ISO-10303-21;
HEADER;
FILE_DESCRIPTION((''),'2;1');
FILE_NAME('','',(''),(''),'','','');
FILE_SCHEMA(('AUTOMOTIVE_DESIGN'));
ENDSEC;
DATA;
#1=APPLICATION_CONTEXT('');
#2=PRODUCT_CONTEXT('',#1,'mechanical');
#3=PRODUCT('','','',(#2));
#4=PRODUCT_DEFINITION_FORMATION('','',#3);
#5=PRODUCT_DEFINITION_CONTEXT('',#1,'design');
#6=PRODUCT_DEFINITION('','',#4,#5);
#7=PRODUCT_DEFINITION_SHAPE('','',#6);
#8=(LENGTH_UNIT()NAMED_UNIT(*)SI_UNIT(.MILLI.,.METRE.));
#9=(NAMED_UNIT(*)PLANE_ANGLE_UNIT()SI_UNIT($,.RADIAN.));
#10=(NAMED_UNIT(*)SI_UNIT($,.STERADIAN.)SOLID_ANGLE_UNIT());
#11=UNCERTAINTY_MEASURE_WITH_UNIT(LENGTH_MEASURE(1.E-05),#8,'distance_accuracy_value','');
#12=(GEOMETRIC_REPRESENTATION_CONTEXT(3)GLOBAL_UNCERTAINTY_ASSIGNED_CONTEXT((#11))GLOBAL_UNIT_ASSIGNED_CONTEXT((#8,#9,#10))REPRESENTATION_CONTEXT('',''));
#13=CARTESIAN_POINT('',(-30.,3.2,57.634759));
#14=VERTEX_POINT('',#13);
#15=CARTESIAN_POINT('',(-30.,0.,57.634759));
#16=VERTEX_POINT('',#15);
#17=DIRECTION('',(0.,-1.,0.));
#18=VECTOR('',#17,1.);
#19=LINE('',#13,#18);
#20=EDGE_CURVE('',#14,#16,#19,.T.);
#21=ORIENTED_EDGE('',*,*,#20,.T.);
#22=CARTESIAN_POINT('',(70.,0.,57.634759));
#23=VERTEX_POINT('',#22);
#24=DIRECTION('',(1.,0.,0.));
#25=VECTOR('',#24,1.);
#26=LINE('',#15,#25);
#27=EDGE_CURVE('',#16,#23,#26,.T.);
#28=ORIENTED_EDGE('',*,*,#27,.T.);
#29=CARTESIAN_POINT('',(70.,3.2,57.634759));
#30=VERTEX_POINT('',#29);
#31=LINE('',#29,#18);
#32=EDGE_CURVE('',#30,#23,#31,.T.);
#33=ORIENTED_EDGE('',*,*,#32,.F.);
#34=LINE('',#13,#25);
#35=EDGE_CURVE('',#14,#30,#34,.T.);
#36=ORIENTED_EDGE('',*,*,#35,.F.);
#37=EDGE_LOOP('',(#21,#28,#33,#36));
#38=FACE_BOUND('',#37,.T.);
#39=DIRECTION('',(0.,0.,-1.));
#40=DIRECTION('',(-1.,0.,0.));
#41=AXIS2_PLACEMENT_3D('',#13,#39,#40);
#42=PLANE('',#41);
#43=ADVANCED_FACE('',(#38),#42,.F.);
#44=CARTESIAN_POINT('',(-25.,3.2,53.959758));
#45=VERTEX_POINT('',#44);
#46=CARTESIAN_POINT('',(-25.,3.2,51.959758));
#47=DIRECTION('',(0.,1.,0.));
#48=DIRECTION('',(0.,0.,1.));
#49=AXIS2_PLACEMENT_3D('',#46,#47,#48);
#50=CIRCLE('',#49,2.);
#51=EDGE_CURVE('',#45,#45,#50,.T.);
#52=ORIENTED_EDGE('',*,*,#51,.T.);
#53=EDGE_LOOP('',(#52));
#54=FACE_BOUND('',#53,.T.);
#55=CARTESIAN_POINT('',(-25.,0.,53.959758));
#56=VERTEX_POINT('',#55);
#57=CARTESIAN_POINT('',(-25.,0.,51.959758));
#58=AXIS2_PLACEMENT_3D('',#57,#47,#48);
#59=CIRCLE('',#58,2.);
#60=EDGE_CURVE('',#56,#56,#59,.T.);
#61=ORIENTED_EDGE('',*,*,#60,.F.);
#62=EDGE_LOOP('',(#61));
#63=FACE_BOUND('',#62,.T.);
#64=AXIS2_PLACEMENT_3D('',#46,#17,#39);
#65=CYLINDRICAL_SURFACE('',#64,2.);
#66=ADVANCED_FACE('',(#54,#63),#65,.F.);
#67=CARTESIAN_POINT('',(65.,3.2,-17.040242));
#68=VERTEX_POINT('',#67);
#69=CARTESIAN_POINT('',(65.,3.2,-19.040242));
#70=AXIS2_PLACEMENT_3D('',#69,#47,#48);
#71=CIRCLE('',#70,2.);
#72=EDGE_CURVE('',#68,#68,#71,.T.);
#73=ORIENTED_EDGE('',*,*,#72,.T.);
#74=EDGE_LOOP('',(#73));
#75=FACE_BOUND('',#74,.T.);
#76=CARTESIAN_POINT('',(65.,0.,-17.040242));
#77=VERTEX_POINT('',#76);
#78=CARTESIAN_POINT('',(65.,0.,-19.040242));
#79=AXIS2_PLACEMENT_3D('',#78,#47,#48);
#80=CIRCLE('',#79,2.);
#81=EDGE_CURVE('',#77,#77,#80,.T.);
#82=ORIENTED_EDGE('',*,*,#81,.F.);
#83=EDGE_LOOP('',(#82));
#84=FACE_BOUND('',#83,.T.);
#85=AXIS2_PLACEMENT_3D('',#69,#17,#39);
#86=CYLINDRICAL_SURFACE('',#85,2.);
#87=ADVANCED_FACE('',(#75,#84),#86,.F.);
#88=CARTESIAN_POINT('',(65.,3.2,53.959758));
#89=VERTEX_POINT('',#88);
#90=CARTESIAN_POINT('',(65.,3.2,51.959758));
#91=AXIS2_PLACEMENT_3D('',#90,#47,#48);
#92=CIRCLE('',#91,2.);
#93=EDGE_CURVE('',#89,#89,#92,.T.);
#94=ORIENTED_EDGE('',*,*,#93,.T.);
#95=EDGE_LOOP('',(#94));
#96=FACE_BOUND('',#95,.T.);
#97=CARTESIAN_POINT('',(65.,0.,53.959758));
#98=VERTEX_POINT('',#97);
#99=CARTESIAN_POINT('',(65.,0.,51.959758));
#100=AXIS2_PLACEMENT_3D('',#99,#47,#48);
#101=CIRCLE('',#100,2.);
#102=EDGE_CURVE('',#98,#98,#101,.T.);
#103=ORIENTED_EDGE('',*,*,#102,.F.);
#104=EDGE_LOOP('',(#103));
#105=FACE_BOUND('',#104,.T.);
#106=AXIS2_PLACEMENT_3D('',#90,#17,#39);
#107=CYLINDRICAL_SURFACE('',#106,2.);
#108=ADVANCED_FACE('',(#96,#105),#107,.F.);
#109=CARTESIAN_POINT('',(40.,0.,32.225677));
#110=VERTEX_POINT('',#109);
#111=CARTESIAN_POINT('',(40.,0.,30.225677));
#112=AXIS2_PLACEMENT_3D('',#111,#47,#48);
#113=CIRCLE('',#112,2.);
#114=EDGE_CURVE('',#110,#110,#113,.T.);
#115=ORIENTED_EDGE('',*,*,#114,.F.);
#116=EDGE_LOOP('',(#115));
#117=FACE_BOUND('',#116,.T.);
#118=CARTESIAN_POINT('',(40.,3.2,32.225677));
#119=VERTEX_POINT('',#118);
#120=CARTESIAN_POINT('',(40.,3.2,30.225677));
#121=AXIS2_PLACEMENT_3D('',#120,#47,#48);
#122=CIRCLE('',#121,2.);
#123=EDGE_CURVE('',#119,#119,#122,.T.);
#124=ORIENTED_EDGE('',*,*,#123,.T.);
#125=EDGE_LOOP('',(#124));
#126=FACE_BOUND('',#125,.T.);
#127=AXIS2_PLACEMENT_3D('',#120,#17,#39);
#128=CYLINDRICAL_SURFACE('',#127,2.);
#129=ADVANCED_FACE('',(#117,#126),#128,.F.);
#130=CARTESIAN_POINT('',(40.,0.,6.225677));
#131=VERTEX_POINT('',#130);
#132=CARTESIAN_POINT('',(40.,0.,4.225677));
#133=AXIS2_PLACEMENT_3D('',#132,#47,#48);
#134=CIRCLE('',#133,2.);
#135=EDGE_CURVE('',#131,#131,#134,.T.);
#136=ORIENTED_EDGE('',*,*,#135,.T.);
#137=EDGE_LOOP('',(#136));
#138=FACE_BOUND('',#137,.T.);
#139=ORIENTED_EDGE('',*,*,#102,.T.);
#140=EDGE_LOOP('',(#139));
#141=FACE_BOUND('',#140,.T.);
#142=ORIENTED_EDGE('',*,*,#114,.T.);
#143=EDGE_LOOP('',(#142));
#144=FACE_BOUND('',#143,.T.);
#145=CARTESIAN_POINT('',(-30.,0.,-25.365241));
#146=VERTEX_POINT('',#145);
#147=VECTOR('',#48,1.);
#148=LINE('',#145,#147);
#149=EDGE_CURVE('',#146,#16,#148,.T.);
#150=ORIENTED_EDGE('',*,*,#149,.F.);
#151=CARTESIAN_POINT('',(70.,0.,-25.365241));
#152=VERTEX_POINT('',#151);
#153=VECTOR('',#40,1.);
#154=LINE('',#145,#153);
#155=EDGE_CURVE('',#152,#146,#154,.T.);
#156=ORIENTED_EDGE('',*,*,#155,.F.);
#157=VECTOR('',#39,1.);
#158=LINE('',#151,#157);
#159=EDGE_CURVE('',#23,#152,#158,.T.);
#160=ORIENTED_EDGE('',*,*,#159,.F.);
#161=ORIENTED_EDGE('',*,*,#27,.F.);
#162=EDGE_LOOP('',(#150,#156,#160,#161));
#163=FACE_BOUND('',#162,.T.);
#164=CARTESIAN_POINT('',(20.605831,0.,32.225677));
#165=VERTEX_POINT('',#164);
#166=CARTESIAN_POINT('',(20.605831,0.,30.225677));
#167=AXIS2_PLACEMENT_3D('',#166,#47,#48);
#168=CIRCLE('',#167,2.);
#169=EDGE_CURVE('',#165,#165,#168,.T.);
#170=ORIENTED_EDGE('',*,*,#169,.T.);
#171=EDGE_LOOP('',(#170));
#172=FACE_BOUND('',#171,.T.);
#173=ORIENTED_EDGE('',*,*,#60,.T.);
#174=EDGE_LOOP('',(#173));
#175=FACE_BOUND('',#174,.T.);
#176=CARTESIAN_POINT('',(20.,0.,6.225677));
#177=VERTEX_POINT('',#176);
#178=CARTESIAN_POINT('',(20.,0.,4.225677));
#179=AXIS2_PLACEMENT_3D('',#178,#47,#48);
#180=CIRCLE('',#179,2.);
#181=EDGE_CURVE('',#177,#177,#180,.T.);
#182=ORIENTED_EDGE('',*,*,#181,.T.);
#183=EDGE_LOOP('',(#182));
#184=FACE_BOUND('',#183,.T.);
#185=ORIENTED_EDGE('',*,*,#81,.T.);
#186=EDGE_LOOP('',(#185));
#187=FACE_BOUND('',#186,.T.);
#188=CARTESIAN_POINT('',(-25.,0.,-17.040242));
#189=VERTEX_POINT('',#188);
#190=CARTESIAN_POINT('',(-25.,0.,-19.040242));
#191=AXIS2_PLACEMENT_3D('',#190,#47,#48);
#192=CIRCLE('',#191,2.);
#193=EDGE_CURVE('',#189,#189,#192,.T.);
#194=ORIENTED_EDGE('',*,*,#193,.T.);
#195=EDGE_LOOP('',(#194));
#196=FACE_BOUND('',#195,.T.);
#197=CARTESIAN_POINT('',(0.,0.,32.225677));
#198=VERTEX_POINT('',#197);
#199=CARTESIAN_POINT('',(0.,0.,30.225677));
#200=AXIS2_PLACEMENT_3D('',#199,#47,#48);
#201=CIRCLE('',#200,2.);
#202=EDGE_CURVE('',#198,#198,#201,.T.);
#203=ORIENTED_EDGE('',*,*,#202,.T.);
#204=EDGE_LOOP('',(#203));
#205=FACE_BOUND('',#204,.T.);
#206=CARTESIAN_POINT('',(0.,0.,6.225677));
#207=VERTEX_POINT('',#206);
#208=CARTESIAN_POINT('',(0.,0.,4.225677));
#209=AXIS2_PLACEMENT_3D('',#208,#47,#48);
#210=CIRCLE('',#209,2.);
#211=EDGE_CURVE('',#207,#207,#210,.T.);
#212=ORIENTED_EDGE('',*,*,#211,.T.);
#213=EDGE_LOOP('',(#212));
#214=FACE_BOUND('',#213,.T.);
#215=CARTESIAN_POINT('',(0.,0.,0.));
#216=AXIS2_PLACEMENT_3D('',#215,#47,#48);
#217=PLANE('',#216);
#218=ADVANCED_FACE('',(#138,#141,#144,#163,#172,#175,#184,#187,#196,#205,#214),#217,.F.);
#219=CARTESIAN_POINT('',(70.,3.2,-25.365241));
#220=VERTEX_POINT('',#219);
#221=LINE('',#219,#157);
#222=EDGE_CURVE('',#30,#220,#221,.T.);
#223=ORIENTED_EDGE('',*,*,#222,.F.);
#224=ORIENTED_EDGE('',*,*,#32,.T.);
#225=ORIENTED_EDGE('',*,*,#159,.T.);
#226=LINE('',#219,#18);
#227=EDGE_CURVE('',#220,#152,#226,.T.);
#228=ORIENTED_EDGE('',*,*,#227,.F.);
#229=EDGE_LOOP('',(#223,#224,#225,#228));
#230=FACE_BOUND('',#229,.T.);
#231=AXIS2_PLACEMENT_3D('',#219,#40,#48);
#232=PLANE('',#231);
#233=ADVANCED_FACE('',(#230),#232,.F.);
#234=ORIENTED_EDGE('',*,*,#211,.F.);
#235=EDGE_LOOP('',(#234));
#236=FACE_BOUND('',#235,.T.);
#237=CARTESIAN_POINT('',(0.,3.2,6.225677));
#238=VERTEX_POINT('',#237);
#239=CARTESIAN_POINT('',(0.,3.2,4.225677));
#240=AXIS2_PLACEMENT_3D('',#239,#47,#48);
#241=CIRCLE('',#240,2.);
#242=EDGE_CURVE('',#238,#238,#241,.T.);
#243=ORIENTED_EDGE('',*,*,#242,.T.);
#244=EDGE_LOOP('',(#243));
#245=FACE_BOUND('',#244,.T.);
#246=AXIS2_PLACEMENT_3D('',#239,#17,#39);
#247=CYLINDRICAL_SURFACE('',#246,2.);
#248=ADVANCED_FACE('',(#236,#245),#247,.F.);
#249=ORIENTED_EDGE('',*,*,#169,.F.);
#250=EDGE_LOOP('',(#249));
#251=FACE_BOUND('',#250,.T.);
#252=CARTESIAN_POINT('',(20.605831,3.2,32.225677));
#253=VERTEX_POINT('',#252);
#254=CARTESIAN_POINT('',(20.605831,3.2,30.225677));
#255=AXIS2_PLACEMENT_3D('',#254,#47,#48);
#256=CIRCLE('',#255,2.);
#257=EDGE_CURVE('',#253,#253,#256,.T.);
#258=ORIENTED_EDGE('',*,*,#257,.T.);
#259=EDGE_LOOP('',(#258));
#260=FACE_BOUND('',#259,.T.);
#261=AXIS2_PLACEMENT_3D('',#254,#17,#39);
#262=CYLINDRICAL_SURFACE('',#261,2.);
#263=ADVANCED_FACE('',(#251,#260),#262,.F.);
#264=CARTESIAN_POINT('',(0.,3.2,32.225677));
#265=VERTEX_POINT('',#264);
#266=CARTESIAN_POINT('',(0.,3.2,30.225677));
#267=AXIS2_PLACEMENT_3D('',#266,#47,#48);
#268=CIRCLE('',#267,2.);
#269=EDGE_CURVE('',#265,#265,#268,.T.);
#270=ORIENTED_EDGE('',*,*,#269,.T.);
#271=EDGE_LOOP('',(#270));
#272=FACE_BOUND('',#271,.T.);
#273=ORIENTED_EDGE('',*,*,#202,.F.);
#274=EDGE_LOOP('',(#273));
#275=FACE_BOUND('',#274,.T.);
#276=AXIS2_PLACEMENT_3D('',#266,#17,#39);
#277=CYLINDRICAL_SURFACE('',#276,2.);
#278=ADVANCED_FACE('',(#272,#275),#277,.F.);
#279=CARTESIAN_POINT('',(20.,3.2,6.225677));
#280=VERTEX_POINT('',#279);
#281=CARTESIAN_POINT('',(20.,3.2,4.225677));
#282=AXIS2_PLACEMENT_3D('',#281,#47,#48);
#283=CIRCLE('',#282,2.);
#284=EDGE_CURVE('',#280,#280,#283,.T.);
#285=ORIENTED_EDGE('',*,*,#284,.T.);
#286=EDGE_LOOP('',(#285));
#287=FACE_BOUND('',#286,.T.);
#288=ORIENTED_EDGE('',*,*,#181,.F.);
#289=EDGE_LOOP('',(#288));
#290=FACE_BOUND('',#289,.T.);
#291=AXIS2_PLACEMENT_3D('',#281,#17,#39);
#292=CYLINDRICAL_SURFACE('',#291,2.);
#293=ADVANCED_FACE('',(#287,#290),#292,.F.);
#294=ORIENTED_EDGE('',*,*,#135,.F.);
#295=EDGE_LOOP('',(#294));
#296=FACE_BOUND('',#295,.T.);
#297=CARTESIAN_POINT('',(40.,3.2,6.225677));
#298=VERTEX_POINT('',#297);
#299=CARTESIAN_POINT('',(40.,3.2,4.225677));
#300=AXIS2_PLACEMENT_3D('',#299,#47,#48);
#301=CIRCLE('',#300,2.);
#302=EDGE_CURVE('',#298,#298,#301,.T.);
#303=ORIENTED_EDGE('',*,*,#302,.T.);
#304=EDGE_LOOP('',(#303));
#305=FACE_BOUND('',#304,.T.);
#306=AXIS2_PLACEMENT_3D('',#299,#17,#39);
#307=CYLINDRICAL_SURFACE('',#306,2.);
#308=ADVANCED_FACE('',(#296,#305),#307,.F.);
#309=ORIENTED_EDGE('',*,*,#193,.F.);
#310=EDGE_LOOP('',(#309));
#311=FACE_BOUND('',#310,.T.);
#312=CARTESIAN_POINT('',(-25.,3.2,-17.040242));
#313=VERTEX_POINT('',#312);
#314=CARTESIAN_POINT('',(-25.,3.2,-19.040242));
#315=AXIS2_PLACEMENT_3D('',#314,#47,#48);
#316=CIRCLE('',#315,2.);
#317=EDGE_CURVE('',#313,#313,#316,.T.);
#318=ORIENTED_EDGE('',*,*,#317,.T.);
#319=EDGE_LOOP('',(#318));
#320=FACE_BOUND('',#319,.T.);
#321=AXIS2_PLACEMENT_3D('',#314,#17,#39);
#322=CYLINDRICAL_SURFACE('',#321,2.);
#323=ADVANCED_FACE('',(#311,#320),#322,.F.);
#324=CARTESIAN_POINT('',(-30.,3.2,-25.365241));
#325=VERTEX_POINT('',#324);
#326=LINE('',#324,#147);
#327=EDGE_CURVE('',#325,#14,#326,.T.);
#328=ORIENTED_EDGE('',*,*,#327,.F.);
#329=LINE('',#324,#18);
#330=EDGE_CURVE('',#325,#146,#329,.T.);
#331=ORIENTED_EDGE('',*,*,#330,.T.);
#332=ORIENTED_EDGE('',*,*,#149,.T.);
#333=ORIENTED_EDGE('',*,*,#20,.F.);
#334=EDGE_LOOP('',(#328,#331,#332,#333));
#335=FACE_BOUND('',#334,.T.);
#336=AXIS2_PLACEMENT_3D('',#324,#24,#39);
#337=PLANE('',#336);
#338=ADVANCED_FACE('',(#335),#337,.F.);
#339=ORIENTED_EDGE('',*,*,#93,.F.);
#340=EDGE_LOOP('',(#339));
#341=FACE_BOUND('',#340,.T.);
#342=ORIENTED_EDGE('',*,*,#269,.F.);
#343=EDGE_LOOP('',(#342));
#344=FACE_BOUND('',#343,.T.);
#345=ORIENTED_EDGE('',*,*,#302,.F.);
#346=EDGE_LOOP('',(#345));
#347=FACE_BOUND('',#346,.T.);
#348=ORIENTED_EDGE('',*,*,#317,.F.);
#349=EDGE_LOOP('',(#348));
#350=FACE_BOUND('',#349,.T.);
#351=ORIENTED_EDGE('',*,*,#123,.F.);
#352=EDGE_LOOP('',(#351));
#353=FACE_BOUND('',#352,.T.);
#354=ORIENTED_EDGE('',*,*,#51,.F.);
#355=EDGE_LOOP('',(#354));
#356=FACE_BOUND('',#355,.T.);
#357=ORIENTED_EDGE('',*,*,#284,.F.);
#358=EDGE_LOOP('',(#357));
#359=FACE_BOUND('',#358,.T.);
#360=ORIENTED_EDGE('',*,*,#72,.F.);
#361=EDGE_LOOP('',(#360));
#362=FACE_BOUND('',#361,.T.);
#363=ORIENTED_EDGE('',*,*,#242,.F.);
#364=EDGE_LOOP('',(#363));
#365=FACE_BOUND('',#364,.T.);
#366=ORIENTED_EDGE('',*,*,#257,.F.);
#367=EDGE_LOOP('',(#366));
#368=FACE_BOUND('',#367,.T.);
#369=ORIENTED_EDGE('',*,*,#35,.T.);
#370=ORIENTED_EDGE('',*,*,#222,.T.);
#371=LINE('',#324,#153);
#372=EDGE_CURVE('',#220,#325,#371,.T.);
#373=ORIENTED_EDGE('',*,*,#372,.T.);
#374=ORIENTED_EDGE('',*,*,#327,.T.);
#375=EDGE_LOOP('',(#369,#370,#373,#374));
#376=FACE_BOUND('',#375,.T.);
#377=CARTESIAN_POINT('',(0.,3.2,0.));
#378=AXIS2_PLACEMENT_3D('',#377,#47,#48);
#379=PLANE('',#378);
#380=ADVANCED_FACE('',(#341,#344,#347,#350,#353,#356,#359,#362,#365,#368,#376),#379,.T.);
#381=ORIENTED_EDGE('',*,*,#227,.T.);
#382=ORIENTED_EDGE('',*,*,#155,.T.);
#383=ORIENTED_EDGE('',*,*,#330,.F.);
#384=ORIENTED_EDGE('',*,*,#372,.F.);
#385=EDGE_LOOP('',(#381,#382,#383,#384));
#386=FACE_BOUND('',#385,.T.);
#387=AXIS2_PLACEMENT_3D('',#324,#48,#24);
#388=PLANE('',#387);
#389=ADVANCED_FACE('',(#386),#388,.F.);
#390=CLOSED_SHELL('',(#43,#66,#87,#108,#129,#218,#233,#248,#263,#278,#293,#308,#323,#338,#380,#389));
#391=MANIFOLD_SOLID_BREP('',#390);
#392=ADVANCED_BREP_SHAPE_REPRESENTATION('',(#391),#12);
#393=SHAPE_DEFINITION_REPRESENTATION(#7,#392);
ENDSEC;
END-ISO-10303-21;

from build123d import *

# Parameters (mm, degrees)
SKETCH_1_W      = 100
SKETCH_1_H      = 83
SKETCH_1_R      = 2
EXTRUDE_1_DEPTH = 3.2


with BuildPart() as part:
    # 草图1 → 凸台-拉伸1 (new body)
    with BuildSketch(Plane(origin=(0, 0, 0), x_dir=(1, 0, 0), z_dir=(0, 1, 0))):
        with Locations((20, -16.134759455)):
            Rectangle(SKETCH_1_W, SKETCH_1_H)
        with Locations(Location((-25, 19.040242047, 0), (0, 0, 270))):  # turned: the seam where the file's is
            Circle(SKETCH_1_R, mode=Mode.SUBTRACT)
        with Locations(Location((-25, -51.959757953, 0), (0, 0, 270))):  # turned: the seam where the file's is
            Circle(SKETCH_1_R, mode=Mode.SUBTRACT)
        with Locations(Location((65, -51.959757953, 0), (0, 0, 270))):  # turned: the seam where the file's is
            Circle(SKETCH_1_R, mode=Mode.SUBTRACT)
        with Locations(Location((65, 19.040242047, 0), (0, 0, 270))):  # turned: the seam where the file's is
            Circle(SKETCH_1_R, mode=Mode.SUBTRACT)
        with Locations(Location((20, -4.225677304, 0), (0, 0, 270))):  # turned: the seam where the file's is
            Circle(SKETCH_1_R, mode=Mode.SUBTRACT)
        with Locations(Location((20.605831178, -30.225677304, 0), (0, 0, 270))):  # turned: the seam where the file's is
            Circle(SKETCH_1_R, mode=Mode.SUBTRACT)
        with Locations(Location((0, -30.225677304, 0), (0, 0, 270))):  # turned: the seam where the file's is
            Circle(SKETCH_1_R, mode=Mode.SUBTRACT)
        with Locations(Location((0, -4.225677304, 0), (0, 0, 270))):  # turned: the seam where the file's is
            Circle(SKETCH_1_R, mode=Mode.SUBTRACT)
        with Locations(Location((40, -4.225677304, 0), (0, 0, 270))):  # turned: the seam where the file's is
            Circle(SKETCH_1_R, mode=Mode.SUBTRACT)
        with Locations(Location((40, -30.225677304, 0), (0, 0, 270))):  # turned: the seam where the file's is
            Circle(SKETCH_1_R, mode=Mode.SUBTRACT)
    extrude(amount=EXTRUDE_1_DEPTH)


solid = part.part
